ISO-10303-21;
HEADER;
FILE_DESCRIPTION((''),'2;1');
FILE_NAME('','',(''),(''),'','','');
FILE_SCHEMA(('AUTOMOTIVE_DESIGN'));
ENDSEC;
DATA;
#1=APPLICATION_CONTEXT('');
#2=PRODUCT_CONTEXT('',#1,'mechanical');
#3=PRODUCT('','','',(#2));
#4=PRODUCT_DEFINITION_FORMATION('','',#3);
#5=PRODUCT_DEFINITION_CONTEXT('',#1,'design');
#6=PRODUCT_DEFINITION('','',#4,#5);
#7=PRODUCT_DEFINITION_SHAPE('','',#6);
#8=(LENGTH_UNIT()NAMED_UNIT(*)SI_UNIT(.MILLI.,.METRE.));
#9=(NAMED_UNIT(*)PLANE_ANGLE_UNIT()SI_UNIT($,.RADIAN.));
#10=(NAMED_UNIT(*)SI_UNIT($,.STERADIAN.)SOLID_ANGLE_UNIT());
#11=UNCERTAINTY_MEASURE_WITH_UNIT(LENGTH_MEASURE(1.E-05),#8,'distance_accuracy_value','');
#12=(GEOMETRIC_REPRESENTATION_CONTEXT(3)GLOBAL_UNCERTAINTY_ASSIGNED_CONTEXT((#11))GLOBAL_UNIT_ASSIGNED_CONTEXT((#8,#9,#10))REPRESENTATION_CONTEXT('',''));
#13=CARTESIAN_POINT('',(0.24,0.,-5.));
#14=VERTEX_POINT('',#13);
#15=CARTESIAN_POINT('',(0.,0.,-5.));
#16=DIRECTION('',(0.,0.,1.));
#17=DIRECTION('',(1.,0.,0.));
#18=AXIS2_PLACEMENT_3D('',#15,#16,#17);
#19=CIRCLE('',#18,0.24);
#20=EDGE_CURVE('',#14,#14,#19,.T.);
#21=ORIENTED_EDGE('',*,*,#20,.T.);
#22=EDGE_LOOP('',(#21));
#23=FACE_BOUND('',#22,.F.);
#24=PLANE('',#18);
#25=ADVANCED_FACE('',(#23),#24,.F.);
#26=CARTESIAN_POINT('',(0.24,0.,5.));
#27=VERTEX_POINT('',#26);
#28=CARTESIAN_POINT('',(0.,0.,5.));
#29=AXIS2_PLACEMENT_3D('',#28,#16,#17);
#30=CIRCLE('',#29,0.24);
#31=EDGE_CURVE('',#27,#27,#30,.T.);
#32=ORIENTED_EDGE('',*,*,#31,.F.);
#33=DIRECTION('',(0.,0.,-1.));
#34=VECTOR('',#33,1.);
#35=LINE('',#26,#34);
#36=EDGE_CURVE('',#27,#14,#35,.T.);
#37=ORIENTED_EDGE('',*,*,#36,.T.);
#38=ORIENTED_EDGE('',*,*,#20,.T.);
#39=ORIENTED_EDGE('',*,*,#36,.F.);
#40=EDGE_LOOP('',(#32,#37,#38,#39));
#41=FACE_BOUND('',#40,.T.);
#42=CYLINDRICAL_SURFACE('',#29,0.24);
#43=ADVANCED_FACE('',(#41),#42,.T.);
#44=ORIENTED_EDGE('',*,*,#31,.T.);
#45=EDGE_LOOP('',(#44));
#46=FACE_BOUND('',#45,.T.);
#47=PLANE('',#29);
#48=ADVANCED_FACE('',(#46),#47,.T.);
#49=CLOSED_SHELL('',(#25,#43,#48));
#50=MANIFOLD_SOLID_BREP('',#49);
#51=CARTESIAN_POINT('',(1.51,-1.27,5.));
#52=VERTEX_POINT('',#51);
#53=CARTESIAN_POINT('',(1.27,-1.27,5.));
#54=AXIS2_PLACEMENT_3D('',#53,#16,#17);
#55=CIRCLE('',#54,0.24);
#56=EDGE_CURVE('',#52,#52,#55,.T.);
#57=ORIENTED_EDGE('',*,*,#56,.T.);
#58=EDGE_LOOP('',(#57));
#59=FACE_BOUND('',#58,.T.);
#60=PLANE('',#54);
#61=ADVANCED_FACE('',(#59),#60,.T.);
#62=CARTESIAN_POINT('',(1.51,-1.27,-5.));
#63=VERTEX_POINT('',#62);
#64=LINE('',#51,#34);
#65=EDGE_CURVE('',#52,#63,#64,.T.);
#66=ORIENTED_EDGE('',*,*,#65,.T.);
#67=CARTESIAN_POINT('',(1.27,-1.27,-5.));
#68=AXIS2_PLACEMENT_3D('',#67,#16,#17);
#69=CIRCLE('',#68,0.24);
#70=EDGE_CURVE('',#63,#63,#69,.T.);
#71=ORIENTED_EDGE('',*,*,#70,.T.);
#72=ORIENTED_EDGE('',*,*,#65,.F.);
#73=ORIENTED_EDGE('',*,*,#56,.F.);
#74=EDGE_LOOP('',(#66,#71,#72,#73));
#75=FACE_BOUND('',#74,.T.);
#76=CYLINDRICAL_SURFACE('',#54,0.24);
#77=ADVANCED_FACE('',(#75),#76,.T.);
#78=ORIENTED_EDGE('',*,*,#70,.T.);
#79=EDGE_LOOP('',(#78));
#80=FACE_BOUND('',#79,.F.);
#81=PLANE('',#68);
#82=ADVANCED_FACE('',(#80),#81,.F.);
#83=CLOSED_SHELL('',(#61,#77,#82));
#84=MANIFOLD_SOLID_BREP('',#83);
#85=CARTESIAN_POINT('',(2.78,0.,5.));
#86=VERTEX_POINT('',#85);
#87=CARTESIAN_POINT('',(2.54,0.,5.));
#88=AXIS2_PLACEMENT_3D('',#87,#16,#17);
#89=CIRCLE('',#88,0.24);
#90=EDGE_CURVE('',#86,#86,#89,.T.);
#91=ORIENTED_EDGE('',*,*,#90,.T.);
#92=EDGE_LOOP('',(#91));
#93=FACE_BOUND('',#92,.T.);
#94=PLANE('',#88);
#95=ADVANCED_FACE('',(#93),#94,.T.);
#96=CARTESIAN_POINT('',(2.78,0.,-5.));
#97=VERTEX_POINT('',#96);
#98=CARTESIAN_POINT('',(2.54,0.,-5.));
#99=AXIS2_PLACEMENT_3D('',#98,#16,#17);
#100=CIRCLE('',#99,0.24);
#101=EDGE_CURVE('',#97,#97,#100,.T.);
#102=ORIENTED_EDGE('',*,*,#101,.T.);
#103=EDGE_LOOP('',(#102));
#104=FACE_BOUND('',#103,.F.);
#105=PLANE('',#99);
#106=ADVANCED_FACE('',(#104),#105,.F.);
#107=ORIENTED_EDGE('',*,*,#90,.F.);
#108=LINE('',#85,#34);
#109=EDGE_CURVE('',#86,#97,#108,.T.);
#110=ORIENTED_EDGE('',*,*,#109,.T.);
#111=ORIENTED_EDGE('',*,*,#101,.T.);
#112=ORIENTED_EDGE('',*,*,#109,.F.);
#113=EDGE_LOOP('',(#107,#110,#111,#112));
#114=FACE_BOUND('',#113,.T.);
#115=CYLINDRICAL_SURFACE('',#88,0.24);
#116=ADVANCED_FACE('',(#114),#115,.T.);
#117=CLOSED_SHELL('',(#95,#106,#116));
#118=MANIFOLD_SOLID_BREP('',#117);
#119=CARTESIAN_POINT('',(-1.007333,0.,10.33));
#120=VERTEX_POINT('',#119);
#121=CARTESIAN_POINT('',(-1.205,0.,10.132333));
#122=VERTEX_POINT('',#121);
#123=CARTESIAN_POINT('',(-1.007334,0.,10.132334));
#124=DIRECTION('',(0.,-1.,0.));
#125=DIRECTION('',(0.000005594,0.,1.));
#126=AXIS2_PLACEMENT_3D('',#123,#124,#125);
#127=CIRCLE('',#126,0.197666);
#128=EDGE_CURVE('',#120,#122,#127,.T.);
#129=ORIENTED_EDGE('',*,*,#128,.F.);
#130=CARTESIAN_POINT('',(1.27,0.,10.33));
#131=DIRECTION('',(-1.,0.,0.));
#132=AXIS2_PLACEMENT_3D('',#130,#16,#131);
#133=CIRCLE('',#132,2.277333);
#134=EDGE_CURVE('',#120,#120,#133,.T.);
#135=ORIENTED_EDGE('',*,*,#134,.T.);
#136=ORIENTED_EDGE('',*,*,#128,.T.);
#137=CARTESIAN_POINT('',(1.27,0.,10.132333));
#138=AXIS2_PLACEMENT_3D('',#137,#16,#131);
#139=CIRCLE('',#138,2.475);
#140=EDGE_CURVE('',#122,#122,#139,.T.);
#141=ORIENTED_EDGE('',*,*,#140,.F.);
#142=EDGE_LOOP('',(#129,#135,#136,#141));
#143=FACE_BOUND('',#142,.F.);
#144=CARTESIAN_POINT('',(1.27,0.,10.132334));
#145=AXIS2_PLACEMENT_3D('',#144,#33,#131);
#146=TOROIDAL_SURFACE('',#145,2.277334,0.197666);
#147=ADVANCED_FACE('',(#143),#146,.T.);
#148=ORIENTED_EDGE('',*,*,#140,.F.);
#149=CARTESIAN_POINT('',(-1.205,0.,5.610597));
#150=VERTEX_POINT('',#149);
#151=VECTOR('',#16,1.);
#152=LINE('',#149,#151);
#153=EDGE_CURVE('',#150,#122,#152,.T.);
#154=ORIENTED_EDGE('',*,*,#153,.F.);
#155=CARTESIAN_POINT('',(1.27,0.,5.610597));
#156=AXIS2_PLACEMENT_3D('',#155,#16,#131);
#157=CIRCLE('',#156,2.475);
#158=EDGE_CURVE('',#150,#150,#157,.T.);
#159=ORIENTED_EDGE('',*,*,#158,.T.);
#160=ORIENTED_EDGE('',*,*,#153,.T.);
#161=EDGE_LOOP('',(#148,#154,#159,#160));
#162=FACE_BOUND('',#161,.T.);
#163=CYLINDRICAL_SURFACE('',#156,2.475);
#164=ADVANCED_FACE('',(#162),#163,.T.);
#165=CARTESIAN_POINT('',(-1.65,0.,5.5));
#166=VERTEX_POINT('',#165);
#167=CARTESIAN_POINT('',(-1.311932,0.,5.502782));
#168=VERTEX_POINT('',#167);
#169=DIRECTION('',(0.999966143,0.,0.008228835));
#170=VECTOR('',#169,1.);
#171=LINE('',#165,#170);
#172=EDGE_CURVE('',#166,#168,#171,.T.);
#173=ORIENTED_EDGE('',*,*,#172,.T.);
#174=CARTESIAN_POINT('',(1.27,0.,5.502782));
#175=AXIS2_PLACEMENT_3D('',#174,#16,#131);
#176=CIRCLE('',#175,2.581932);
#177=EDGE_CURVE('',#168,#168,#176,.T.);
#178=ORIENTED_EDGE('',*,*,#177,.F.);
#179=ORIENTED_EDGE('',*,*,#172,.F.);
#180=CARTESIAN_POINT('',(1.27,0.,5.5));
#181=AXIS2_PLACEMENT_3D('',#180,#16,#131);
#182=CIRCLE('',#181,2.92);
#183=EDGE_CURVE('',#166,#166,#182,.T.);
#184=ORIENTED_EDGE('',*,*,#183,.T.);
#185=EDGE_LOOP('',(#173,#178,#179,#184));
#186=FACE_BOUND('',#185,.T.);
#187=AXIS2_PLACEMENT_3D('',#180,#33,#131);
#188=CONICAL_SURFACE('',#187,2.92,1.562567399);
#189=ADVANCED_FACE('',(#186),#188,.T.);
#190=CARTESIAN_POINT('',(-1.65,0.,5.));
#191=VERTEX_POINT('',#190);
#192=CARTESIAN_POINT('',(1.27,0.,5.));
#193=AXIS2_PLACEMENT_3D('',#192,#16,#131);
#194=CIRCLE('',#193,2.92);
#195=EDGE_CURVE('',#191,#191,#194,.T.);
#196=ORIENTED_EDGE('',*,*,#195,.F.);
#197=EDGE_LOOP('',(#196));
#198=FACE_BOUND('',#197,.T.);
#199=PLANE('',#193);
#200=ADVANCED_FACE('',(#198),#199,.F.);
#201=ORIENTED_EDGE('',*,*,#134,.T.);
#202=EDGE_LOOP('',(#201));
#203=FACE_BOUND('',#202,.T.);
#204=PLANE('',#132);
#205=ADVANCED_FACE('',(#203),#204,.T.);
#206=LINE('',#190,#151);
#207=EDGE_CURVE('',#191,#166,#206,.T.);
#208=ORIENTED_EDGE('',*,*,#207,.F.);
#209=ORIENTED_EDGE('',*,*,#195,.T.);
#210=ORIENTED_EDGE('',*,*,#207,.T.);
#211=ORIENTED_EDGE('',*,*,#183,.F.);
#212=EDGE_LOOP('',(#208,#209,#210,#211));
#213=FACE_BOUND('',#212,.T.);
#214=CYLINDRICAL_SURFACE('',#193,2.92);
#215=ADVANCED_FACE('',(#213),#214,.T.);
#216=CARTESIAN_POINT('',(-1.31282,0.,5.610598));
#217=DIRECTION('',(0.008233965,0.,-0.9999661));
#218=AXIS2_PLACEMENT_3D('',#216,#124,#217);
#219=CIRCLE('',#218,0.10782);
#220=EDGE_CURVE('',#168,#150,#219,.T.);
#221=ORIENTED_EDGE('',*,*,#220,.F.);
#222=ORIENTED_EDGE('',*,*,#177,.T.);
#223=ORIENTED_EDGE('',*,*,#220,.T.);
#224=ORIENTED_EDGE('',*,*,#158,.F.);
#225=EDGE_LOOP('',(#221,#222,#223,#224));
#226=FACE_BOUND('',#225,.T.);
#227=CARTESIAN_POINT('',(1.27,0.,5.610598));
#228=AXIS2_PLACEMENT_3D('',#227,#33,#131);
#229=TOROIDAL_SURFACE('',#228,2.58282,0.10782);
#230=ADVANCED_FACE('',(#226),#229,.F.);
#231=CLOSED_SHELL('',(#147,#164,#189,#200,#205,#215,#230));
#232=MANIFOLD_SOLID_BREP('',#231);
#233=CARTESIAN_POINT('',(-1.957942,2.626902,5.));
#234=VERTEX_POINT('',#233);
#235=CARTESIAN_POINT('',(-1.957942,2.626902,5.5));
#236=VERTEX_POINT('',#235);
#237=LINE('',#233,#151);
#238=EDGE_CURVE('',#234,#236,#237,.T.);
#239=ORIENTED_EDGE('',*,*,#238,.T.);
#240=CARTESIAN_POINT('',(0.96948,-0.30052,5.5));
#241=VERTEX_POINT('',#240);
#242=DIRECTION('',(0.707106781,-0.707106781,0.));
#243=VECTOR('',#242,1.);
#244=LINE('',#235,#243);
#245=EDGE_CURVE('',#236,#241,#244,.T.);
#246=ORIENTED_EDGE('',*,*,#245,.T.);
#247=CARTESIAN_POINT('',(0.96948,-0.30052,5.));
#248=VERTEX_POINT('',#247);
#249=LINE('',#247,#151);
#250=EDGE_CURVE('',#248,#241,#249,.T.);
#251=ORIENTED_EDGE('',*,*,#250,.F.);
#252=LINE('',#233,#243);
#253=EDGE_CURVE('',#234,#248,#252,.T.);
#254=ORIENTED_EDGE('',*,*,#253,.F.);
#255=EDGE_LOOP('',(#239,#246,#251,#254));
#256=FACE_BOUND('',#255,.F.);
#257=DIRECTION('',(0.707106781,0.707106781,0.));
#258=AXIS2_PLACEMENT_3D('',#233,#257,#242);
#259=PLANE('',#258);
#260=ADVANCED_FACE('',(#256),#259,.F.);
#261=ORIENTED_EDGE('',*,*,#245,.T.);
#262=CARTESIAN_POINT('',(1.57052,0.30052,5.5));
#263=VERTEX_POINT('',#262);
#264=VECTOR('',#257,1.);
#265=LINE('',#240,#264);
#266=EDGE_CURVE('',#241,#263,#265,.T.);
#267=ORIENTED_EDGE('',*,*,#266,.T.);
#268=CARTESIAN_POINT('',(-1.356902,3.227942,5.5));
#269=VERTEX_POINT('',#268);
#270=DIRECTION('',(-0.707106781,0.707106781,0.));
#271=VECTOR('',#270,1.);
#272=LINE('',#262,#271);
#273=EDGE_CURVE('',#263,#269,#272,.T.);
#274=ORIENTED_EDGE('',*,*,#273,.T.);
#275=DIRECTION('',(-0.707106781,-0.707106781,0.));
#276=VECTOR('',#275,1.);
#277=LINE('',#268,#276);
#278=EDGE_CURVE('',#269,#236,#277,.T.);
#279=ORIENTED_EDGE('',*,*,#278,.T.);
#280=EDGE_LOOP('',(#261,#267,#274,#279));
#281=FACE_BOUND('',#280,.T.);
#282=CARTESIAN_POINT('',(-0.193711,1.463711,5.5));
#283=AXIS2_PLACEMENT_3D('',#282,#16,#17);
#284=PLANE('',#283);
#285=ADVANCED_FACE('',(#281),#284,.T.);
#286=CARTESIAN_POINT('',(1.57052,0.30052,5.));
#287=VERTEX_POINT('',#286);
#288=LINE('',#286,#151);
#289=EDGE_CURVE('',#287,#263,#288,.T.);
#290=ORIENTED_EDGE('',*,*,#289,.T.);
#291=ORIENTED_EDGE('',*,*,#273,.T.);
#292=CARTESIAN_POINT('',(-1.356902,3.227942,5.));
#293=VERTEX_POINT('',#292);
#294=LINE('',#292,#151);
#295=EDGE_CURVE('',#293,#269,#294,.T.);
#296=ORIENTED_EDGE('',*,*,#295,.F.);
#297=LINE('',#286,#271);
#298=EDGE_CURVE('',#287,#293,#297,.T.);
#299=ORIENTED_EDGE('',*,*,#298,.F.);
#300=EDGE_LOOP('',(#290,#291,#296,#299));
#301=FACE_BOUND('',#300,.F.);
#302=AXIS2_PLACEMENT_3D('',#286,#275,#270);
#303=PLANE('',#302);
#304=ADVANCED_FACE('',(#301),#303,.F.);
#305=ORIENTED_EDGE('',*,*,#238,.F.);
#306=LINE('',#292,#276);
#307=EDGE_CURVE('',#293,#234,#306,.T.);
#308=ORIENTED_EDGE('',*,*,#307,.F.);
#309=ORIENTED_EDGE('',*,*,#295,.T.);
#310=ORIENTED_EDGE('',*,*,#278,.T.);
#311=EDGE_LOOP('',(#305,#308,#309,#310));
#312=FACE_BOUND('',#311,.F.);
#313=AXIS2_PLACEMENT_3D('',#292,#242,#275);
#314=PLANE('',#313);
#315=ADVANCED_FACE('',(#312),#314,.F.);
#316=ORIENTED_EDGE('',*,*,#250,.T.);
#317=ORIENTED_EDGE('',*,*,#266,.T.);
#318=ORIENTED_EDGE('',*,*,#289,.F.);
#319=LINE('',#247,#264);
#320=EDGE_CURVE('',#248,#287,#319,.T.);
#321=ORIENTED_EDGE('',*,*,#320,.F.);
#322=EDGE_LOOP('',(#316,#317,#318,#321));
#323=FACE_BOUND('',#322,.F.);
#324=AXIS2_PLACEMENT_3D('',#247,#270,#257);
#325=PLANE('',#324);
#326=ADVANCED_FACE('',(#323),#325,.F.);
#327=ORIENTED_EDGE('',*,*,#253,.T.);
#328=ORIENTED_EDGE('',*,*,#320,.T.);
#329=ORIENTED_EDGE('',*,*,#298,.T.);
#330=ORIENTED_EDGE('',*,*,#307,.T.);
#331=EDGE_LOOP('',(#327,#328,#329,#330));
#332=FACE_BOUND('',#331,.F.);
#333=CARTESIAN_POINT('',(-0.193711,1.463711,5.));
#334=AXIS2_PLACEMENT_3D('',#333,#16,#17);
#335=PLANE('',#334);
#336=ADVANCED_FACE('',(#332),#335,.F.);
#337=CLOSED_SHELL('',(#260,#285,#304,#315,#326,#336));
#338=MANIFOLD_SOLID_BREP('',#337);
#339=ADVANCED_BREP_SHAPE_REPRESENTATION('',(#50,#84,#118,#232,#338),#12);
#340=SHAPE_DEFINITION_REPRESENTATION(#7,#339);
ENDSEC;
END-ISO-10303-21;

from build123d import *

# Parameters (mm, degrees)
SKETCH_R     = 0.24
PAD_DEPTH    = 10
SKETCH001_R  = 0.24
PAD002_DEPTH = 10
PAD003_DEPTH = 0.5
SKETCH005_R  = 0.24
PAD004_DEPTH = 10


with BuildPart() as pad:
    # Sketch → Pad (new body)
    with BuildSketch(Plane.XY.offset(5)):
        Circle(SKETCH_R)
    extrude(amount=-PAD_DEPTH)


with BuildPart() as pad002:
    # Sketch001 → Pad002 (new body)
    with BuildSketch(Plane.XY.offset(5)):
        with Locations((2.54, 0)):
            Circle(SKETCH001_R)
    extrude(amount=-PAD002_DEPTH)


with BuildPart() as revolution:
    # Sketch003 → Revolution (revolve)
    with BuildSketch(Plane.XZ):
        with BuildLine():
            Line((1.27, 5), (-1.65, 5))
            Line((-1.65, 5), (-1.65, 5.5))
            Line((-1.65, 5.5), (-1.311932, 5.502782))
            ThreePointArc((-1.311932, 5.502782), (-1.236267, 5.534672), (-1.205, 5.610597))
            Line((-1.205, 5.610597), (-1.205, 10.132333))
            ThreePointArc((-1.007333, 10.33), (-1.147105, 10.272105), (-1.205, 10.132333))
            Line((-1.007333, 10.33), (1.27, 10.33))
            Line((1.27, 10.33), (1.27, 5))
        make_face()
    revolve(axis=Axis((1.27, 0, 2.550668), (0, 0, 1)))


with BuildPart() as pad003:
    # Sketch004 → Pad003 (new body)
    with BuildSketch(Plane.XY.offset(5)):
        Polygon((1.57052, 0.30052), (-1.356902, 3.227942), (-1.957942, 2.626902), (0.96948, -0.30052), align=None)
    extrude(amount=PAD003_DEPTH)


with BuildPart() as pad004:
    # Sketch005 → Pad004 (new body)
    with BuildSketch(Plane.XY.offset(5)):
        with Locations((1.27, -1.27)):
            Circle(SKETCH005_R)
    extrude(amount=-PAD004_DEPTH)


solid = Compound([pad.part, pad002.part, revolution.part, pad003.part, pad004.part])
